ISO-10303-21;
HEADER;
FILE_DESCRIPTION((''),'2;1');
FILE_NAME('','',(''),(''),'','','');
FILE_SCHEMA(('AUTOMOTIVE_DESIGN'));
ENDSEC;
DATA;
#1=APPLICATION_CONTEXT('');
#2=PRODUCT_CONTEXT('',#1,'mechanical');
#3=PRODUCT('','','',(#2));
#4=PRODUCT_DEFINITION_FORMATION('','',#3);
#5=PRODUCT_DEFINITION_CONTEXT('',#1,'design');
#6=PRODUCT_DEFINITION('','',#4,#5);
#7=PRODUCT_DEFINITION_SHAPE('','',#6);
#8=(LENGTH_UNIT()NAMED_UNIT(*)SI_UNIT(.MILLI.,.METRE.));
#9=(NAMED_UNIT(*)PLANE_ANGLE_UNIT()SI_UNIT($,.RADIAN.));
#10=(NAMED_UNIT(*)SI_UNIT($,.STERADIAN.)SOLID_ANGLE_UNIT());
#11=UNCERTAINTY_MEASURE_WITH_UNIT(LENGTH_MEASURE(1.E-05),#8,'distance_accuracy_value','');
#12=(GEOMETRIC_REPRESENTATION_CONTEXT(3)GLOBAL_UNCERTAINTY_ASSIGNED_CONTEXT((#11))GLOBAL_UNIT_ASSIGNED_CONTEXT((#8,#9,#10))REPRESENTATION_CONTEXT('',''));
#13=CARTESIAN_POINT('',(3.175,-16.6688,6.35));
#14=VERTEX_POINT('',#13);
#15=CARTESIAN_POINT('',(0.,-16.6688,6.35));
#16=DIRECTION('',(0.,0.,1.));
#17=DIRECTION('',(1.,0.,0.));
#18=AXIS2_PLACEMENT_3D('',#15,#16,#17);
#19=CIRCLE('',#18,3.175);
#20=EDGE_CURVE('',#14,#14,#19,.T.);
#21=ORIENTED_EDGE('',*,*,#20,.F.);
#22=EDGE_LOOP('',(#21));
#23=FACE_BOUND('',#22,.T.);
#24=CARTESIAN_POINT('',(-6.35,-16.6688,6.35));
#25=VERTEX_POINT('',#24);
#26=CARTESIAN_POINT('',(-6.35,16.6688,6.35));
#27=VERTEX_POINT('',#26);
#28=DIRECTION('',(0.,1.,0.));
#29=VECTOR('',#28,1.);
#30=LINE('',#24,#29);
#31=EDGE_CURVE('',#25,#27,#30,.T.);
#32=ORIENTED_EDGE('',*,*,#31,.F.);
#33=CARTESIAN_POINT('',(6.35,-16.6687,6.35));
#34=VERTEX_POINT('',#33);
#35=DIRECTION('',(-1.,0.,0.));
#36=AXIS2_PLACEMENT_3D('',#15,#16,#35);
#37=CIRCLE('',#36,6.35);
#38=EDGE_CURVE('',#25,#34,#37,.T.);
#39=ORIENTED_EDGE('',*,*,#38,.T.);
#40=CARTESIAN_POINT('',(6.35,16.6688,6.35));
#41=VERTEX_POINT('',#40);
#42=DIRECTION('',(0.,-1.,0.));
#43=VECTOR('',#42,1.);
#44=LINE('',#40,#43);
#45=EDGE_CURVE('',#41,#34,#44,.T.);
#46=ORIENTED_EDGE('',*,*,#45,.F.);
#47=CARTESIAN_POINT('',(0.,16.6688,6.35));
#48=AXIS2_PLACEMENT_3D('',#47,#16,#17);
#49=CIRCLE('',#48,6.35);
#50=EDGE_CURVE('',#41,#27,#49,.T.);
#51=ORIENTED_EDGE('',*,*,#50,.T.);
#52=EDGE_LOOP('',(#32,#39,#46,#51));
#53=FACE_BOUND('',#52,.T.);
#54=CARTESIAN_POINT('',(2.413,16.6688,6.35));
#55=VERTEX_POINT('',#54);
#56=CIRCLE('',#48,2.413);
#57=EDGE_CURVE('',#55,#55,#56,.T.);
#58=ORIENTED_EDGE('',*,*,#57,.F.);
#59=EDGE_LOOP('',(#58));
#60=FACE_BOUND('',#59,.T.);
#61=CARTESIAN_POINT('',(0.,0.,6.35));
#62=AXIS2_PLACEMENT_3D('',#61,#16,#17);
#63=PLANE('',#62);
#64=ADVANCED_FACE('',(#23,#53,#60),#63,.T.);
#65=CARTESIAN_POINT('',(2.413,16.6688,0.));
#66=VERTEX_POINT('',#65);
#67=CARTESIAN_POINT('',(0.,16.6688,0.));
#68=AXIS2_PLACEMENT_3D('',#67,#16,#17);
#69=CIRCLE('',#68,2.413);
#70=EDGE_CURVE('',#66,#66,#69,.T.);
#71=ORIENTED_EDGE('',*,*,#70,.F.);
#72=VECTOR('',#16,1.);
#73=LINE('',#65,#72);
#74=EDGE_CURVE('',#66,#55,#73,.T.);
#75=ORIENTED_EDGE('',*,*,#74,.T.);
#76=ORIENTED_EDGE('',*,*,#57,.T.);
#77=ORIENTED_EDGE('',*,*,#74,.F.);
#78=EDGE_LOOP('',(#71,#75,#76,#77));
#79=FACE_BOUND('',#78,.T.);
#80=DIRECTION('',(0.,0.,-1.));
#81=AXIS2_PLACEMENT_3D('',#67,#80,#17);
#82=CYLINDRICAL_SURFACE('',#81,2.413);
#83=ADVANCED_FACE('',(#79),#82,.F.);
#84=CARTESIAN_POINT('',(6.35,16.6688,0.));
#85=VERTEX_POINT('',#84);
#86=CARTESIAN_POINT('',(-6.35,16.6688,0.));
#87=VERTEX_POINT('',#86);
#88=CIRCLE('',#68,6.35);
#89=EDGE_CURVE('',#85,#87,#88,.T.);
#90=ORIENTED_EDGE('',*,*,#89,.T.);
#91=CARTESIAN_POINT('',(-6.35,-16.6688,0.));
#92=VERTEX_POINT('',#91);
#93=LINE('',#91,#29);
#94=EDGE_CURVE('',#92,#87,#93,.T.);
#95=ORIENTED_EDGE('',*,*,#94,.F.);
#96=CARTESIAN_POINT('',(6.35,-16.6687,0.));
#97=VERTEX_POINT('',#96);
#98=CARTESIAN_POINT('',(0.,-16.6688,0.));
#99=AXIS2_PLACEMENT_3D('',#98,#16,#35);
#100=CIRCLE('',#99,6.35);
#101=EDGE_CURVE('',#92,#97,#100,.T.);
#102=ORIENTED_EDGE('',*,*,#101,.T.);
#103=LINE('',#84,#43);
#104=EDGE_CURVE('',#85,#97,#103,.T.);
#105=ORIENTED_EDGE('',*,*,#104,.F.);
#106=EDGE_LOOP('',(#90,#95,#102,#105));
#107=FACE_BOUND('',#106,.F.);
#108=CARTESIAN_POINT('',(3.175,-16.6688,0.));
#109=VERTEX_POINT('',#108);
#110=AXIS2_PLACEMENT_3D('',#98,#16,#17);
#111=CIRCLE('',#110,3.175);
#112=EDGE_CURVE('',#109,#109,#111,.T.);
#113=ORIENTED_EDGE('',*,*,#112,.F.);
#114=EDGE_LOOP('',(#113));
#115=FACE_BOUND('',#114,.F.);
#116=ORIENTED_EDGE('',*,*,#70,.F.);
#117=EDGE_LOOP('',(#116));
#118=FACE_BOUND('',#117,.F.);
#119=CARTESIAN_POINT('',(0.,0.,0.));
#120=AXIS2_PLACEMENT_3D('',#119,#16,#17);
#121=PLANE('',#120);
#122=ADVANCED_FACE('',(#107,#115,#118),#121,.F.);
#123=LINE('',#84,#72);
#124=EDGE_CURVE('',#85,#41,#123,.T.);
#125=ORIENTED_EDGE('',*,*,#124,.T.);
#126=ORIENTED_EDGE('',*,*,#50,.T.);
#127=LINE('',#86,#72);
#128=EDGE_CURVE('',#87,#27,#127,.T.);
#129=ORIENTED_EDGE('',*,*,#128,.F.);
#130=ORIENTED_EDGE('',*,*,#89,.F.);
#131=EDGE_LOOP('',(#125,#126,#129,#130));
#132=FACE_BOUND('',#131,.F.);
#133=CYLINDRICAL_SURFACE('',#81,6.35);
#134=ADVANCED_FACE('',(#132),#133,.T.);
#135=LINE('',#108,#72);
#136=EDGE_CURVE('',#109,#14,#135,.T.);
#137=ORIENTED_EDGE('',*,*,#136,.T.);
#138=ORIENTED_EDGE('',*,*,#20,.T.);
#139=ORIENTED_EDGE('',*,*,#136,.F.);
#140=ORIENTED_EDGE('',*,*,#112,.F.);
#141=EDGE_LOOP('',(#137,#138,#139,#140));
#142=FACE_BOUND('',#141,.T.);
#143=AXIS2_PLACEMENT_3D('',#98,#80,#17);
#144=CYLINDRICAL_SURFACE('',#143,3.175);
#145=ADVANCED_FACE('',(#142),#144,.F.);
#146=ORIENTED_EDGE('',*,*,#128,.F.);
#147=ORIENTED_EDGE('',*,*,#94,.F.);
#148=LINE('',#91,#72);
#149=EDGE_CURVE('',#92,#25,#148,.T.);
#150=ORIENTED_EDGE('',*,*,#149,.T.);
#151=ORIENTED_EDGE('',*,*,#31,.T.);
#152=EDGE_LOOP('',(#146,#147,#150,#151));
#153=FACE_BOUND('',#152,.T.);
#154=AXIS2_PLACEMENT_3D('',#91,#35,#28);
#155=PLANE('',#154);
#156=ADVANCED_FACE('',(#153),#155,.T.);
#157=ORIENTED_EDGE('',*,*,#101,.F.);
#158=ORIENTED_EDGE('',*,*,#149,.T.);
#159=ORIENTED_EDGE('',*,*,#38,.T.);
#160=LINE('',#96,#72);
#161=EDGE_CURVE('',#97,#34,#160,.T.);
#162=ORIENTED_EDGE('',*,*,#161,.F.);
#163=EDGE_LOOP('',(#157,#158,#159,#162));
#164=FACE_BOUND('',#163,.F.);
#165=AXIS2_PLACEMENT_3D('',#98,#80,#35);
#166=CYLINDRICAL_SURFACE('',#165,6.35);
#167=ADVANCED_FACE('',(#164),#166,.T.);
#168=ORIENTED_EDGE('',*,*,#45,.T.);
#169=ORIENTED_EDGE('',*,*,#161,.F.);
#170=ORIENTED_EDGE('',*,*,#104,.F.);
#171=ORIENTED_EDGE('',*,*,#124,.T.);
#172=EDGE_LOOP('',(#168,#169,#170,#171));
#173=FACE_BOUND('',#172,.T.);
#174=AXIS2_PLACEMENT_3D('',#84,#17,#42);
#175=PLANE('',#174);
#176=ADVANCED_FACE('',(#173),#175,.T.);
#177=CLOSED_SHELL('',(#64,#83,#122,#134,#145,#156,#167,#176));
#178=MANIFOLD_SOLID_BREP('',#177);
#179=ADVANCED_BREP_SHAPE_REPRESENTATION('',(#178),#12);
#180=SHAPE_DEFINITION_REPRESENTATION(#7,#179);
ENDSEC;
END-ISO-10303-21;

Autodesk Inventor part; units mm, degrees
ref_plane "YZ Plane" through (0, 0, 0) normal (1, 0, 0) x (0, 1, 0)
ref_plane "XZ Plane" through (0, 0, 0) normal (0, 1, 0) x (-1, 0, 0)
ref_plane "XY Plane" through (0, 0, 0) normal (0, 0, 1) x (1, 0, 0)
sketch "Sketch1" plane through (0, 0, 0) normal (0, 0, 1) x (1, 0, 0)
  line L0 (0, -16.6688) -> (0, 16.6688) construction
  line L1 (-6.35, -16.6688) -> (-6.35, 16.6688)
  line L2 (6.35, 16.6688) -> (6.35, -16.6687)
  arc A0 (-6.35, -16.6688) -> (6.35, -16.6687) centre (0, -16.6688) ccw
  arc A1 (6.35, 16.6688) -> (-6.35, 16.6688) centre (0, 16.6688) ccw
  circle A2 centre (0, 16.6688) radius 2.413
  circle A3 centre (0, -16.6688) radius 3.175
  point P0 (0, 0)
  dimension "d0" = 16.6687
  dimension "d1" = 4.826
  dimension "d2" = 6.35
  dimension "d3" = 6.35
extrude "Extrusion1" add sketch "Sketch1" along normal blind 6.35
properties part number "Dog Shifter Reverse Connector Plate" material "Aluminum 6061"
